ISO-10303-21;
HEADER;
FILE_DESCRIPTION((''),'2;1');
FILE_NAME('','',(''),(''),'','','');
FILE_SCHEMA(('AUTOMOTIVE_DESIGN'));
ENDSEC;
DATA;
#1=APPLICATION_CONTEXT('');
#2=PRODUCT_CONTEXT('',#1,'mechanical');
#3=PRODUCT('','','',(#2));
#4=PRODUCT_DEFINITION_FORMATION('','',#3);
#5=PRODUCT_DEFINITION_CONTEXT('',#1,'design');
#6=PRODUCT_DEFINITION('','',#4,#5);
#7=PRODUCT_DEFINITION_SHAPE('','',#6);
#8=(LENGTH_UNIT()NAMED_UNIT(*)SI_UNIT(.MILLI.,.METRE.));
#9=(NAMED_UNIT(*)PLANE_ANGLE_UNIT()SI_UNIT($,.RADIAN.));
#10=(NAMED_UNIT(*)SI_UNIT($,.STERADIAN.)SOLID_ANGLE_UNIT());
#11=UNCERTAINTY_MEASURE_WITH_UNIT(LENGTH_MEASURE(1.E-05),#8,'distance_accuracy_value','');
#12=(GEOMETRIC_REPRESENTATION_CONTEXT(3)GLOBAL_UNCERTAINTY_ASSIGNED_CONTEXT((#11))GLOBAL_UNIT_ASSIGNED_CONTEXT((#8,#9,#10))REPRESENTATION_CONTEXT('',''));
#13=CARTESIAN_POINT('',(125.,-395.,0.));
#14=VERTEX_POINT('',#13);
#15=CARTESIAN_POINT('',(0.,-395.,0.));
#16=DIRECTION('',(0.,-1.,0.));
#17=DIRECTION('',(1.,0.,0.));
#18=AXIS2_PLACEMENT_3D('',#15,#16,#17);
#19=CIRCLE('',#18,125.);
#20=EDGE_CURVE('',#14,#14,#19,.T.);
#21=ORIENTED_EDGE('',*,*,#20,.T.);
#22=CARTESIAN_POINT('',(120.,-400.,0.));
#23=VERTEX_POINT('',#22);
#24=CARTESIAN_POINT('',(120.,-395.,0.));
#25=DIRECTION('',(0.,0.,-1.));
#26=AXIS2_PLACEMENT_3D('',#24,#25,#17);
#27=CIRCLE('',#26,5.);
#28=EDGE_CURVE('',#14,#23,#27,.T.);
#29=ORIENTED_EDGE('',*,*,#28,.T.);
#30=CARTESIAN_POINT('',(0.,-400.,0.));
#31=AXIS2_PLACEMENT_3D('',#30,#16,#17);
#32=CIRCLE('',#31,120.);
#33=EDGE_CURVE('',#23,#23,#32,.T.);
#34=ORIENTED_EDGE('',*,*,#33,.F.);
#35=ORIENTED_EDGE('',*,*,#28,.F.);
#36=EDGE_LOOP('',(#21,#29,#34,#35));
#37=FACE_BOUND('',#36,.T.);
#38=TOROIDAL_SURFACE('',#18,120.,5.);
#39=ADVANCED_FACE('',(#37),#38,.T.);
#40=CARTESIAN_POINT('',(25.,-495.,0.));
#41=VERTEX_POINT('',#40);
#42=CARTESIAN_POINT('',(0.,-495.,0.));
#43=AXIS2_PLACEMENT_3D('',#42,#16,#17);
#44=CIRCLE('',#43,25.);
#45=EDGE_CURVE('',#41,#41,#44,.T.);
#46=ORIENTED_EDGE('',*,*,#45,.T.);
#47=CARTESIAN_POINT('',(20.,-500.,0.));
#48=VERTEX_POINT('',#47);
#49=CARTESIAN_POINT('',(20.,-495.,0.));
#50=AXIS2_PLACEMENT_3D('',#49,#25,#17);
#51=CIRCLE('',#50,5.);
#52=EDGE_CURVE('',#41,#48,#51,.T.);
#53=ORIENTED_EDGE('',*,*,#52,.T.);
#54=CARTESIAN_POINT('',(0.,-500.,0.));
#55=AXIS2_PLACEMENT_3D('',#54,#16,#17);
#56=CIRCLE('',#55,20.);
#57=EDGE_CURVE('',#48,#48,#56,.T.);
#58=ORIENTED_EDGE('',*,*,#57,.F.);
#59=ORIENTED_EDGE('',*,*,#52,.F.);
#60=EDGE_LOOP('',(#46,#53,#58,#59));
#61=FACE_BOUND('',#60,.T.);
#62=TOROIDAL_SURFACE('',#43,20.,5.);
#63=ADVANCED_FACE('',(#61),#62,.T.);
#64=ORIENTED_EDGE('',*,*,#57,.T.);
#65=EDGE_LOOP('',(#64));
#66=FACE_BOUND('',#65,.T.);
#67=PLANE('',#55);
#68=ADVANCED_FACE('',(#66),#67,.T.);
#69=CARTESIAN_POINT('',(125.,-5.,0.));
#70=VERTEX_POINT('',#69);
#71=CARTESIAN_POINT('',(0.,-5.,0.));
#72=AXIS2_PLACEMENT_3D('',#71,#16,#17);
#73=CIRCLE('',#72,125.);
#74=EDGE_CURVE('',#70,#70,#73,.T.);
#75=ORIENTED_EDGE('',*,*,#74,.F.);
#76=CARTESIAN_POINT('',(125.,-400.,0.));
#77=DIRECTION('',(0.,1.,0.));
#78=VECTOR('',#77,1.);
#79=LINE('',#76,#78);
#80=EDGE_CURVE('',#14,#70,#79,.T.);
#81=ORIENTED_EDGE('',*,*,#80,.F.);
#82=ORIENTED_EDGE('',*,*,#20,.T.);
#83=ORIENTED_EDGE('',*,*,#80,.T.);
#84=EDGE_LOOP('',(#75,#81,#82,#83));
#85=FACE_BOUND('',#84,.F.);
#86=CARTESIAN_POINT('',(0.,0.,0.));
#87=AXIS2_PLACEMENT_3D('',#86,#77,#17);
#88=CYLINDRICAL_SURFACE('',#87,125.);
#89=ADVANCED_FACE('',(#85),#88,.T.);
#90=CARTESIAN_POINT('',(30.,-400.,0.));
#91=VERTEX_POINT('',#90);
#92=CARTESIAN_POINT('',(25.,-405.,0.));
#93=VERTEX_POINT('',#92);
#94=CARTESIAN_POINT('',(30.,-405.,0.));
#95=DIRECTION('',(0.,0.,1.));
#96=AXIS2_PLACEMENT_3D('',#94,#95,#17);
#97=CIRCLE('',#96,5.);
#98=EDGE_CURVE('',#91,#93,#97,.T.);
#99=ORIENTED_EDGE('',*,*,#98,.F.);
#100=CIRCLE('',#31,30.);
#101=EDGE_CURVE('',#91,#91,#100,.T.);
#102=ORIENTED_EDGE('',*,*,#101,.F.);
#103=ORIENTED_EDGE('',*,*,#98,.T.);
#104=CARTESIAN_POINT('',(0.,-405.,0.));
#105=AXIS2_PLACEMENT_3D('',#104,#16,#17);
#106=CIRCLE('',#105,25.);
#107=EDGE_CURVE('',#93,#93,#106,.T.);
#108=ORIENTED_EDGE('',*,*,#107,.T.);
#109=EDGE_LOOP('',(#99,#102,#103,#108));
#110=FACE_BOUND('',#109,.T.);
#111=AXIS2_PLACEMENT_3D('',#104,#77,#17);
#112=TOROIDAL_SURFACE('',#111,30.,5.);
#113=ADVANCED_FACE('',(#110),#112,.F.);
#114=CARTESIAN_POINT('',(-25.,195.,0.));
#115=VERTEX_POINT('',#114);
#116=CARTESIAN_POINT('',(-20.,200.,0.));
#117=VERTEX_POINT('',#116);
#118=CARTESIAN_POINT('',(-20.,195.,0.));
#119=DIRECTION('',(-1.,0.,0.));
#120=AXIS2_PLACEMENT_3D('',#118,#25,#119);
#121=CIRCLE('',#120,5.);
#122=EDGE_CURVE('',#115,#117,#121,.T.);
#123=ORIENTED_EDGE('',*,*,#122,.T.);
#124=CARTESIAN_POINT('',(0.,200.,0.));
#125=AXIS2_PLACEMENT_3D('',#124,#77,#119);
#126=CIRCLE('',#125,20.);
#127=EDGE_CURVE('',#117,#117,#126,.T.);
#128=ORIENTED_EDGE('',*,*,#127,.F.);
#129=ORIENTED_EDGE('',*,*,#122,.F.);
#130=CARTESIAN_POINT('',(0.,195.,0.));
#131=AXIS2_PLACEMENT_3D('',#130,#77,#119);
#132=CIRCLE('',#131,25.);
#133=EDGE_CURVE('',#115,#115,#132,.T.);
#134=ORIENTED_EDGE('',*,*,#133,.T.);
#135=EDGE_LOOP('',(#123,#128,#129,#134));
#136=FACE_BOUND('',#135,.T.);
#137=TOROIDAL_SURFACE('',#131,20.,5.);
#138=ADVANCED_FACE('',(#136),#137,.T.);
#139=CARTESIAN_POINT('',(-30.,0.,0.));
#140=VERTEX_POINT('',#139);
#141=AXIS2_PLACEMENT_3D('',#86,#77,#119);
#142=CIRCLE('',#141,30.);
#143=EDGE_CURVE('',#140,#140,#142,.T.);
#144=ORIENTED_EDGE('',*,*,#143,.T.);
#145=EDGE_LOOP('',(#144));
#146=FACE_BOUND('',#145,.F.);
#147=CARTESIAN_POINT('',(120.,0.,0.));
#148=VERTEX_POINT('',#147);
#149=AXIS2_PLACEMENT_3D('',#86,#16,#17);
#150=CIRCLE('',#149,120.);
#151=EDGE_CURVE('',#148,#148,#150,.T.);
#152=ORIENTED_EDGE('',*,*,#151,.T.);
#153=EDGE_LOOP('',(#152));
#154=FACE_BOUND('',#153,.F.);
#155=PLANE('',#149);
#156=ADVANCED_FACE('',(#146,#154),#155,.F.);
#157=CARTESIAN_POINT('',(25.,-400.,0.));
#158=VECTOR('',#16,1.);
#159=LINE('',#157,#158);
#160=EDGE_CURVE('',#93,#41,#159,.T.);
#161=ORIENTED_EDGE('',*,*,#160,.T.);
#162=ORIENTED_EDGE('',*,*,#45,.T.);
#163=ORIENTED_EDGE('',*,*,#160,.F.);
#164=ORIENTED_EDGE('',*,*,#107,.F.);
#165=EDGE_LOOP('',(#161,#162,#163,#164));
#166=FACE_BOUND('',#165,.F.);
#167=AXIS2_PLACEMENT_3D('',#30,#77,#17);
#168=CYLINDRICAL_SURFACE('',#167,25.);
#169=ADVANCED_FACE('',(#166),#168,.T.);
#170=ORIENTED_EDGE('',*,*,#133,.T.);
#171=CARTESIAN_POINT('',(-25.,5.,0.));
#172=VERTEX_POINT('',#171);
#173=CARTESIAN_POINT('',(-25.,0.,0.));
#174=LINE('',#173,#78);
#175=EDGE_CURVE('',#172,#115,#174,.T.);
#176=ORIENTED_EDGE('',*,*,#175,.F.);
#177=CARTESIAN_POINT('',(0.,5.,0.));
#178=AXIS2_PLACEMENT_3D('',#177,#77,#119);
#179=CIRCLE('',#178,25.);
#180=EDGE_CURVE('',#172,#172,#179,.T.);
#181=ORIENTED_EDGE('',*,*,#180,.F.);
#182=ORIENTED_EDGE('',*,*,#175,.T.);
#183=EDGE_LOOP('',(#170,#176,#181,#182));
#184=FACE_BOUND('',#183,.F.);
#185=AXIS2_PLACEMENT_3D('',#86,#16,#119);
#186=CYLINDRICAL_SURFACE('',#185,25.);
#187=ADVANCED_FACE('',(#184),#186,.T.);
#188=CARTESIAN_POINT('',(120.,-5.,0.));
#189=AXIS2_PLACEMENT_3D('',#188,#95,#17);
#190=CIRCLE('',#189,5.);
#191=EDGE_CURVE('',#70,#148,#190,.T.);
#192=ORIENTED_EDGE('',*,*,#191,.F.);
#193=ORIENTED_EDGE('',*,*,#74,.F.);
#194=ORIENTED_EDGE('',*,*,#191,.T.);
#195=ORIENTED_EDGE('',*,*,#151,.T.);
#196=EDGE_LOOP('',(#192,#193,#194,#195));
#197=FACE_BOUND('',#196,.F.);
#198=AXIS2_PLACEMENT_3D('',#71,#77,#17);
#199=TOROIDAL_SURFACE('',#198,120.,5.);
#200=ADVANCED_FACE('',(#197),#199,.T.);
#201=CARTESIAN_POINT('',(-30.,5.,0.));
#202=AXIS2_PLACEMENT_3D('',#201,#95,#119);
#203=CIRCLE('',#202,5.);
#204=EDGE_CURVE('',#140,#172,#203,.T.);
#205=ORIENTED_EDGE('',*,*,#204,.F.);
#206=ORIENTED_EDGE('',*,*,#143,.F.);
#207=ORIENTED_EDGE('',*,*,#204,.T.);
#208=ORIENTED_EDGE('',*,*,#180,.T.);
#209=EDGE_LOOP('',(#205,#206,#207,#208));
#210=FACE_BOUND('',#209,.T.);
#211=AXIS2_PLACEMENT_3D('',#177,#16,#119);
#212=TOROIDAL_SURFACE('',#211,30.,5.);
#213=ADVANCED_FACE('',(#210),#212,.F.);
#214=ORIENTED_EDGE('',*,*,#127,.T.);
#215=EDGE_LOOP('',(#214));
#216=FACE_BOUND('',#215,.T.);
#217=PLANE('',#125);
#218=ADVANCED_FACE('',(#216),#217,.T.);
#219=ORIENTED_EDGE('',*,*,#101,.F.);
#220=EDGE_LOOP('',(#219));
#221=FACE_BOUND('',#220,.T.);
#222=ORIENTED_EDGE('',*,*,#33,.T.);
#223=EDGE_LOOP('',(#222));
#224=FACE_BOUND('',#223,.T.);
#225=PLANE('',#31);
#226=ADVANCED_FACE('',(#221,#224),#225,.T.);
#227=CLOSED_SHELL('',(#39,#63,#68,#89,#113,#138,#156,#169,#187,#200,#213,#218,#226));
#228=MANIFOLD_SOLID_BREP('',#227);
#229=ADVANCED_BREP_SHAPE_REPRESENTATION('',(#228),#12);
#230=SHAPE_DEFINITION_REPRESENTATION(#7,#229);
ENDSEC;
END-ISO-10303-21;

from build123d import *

# Parameters (mm, degrees)
F0_R     = 125
F1_DEPTH = 400
F3_DEPTH = 25
F4_R     = 5
F5_R     = 25
F6_DEPTH = 100
F7_R     = 5
F8_R     = 25
F9_DEPTH = 200
F10_R    = 5


with BuildPart() as f1:
    # F0 (on Front) → F1 (new body)
    with BuildSketch(Plane.XZ):
        Circle(F0_R)
    extrude(amount=F1_DEPTH)

    # F0 (on Front) → F3 (join)
    with BuildSketch(Plane.XZ):
        Circle(F0_R)
    extrude(amount=F3_DEPTH)

    # F4
    f4_edges = [f1.edges().sort_by_distance(p)[0] for p in [
        (-125, 0, 0),
        (-125, -400, 0),
    ]]
    fillet(f4_edges, radius=F4_R)

    # F5 (on face) → F6 (join)
    with BuildSketch(Plane.XZ.offset(400)):
        Circle(F5_R)
    extrude(amount=F6_DEPTH)

    # F7
    f7_edges = [f1.edges().sort_by_distance(p)[0] for p in [
        (-25, -400, 0),
        (-25, -500, 0),
    ]]
    fillet(f7_edges, radius=F7_R)

    # F8 (on face) → F9 (join)
    with BuildSketch(Plane(origin=(0, 0, 0), x_dir=(-1, 0, 0), z_dir=(0, 1, 0))):
        Circle(F8_R)
    extrude(amount=F9_DEPTH)

    # F10
    f10_edges = [f1.edges().sort_by_distance(p)[0] for p in [
        (25, 0, 0),
        (25, 200, 0),
    ]]
    fillet(f10_edges, radius=F10_R)


solid = f1.part
